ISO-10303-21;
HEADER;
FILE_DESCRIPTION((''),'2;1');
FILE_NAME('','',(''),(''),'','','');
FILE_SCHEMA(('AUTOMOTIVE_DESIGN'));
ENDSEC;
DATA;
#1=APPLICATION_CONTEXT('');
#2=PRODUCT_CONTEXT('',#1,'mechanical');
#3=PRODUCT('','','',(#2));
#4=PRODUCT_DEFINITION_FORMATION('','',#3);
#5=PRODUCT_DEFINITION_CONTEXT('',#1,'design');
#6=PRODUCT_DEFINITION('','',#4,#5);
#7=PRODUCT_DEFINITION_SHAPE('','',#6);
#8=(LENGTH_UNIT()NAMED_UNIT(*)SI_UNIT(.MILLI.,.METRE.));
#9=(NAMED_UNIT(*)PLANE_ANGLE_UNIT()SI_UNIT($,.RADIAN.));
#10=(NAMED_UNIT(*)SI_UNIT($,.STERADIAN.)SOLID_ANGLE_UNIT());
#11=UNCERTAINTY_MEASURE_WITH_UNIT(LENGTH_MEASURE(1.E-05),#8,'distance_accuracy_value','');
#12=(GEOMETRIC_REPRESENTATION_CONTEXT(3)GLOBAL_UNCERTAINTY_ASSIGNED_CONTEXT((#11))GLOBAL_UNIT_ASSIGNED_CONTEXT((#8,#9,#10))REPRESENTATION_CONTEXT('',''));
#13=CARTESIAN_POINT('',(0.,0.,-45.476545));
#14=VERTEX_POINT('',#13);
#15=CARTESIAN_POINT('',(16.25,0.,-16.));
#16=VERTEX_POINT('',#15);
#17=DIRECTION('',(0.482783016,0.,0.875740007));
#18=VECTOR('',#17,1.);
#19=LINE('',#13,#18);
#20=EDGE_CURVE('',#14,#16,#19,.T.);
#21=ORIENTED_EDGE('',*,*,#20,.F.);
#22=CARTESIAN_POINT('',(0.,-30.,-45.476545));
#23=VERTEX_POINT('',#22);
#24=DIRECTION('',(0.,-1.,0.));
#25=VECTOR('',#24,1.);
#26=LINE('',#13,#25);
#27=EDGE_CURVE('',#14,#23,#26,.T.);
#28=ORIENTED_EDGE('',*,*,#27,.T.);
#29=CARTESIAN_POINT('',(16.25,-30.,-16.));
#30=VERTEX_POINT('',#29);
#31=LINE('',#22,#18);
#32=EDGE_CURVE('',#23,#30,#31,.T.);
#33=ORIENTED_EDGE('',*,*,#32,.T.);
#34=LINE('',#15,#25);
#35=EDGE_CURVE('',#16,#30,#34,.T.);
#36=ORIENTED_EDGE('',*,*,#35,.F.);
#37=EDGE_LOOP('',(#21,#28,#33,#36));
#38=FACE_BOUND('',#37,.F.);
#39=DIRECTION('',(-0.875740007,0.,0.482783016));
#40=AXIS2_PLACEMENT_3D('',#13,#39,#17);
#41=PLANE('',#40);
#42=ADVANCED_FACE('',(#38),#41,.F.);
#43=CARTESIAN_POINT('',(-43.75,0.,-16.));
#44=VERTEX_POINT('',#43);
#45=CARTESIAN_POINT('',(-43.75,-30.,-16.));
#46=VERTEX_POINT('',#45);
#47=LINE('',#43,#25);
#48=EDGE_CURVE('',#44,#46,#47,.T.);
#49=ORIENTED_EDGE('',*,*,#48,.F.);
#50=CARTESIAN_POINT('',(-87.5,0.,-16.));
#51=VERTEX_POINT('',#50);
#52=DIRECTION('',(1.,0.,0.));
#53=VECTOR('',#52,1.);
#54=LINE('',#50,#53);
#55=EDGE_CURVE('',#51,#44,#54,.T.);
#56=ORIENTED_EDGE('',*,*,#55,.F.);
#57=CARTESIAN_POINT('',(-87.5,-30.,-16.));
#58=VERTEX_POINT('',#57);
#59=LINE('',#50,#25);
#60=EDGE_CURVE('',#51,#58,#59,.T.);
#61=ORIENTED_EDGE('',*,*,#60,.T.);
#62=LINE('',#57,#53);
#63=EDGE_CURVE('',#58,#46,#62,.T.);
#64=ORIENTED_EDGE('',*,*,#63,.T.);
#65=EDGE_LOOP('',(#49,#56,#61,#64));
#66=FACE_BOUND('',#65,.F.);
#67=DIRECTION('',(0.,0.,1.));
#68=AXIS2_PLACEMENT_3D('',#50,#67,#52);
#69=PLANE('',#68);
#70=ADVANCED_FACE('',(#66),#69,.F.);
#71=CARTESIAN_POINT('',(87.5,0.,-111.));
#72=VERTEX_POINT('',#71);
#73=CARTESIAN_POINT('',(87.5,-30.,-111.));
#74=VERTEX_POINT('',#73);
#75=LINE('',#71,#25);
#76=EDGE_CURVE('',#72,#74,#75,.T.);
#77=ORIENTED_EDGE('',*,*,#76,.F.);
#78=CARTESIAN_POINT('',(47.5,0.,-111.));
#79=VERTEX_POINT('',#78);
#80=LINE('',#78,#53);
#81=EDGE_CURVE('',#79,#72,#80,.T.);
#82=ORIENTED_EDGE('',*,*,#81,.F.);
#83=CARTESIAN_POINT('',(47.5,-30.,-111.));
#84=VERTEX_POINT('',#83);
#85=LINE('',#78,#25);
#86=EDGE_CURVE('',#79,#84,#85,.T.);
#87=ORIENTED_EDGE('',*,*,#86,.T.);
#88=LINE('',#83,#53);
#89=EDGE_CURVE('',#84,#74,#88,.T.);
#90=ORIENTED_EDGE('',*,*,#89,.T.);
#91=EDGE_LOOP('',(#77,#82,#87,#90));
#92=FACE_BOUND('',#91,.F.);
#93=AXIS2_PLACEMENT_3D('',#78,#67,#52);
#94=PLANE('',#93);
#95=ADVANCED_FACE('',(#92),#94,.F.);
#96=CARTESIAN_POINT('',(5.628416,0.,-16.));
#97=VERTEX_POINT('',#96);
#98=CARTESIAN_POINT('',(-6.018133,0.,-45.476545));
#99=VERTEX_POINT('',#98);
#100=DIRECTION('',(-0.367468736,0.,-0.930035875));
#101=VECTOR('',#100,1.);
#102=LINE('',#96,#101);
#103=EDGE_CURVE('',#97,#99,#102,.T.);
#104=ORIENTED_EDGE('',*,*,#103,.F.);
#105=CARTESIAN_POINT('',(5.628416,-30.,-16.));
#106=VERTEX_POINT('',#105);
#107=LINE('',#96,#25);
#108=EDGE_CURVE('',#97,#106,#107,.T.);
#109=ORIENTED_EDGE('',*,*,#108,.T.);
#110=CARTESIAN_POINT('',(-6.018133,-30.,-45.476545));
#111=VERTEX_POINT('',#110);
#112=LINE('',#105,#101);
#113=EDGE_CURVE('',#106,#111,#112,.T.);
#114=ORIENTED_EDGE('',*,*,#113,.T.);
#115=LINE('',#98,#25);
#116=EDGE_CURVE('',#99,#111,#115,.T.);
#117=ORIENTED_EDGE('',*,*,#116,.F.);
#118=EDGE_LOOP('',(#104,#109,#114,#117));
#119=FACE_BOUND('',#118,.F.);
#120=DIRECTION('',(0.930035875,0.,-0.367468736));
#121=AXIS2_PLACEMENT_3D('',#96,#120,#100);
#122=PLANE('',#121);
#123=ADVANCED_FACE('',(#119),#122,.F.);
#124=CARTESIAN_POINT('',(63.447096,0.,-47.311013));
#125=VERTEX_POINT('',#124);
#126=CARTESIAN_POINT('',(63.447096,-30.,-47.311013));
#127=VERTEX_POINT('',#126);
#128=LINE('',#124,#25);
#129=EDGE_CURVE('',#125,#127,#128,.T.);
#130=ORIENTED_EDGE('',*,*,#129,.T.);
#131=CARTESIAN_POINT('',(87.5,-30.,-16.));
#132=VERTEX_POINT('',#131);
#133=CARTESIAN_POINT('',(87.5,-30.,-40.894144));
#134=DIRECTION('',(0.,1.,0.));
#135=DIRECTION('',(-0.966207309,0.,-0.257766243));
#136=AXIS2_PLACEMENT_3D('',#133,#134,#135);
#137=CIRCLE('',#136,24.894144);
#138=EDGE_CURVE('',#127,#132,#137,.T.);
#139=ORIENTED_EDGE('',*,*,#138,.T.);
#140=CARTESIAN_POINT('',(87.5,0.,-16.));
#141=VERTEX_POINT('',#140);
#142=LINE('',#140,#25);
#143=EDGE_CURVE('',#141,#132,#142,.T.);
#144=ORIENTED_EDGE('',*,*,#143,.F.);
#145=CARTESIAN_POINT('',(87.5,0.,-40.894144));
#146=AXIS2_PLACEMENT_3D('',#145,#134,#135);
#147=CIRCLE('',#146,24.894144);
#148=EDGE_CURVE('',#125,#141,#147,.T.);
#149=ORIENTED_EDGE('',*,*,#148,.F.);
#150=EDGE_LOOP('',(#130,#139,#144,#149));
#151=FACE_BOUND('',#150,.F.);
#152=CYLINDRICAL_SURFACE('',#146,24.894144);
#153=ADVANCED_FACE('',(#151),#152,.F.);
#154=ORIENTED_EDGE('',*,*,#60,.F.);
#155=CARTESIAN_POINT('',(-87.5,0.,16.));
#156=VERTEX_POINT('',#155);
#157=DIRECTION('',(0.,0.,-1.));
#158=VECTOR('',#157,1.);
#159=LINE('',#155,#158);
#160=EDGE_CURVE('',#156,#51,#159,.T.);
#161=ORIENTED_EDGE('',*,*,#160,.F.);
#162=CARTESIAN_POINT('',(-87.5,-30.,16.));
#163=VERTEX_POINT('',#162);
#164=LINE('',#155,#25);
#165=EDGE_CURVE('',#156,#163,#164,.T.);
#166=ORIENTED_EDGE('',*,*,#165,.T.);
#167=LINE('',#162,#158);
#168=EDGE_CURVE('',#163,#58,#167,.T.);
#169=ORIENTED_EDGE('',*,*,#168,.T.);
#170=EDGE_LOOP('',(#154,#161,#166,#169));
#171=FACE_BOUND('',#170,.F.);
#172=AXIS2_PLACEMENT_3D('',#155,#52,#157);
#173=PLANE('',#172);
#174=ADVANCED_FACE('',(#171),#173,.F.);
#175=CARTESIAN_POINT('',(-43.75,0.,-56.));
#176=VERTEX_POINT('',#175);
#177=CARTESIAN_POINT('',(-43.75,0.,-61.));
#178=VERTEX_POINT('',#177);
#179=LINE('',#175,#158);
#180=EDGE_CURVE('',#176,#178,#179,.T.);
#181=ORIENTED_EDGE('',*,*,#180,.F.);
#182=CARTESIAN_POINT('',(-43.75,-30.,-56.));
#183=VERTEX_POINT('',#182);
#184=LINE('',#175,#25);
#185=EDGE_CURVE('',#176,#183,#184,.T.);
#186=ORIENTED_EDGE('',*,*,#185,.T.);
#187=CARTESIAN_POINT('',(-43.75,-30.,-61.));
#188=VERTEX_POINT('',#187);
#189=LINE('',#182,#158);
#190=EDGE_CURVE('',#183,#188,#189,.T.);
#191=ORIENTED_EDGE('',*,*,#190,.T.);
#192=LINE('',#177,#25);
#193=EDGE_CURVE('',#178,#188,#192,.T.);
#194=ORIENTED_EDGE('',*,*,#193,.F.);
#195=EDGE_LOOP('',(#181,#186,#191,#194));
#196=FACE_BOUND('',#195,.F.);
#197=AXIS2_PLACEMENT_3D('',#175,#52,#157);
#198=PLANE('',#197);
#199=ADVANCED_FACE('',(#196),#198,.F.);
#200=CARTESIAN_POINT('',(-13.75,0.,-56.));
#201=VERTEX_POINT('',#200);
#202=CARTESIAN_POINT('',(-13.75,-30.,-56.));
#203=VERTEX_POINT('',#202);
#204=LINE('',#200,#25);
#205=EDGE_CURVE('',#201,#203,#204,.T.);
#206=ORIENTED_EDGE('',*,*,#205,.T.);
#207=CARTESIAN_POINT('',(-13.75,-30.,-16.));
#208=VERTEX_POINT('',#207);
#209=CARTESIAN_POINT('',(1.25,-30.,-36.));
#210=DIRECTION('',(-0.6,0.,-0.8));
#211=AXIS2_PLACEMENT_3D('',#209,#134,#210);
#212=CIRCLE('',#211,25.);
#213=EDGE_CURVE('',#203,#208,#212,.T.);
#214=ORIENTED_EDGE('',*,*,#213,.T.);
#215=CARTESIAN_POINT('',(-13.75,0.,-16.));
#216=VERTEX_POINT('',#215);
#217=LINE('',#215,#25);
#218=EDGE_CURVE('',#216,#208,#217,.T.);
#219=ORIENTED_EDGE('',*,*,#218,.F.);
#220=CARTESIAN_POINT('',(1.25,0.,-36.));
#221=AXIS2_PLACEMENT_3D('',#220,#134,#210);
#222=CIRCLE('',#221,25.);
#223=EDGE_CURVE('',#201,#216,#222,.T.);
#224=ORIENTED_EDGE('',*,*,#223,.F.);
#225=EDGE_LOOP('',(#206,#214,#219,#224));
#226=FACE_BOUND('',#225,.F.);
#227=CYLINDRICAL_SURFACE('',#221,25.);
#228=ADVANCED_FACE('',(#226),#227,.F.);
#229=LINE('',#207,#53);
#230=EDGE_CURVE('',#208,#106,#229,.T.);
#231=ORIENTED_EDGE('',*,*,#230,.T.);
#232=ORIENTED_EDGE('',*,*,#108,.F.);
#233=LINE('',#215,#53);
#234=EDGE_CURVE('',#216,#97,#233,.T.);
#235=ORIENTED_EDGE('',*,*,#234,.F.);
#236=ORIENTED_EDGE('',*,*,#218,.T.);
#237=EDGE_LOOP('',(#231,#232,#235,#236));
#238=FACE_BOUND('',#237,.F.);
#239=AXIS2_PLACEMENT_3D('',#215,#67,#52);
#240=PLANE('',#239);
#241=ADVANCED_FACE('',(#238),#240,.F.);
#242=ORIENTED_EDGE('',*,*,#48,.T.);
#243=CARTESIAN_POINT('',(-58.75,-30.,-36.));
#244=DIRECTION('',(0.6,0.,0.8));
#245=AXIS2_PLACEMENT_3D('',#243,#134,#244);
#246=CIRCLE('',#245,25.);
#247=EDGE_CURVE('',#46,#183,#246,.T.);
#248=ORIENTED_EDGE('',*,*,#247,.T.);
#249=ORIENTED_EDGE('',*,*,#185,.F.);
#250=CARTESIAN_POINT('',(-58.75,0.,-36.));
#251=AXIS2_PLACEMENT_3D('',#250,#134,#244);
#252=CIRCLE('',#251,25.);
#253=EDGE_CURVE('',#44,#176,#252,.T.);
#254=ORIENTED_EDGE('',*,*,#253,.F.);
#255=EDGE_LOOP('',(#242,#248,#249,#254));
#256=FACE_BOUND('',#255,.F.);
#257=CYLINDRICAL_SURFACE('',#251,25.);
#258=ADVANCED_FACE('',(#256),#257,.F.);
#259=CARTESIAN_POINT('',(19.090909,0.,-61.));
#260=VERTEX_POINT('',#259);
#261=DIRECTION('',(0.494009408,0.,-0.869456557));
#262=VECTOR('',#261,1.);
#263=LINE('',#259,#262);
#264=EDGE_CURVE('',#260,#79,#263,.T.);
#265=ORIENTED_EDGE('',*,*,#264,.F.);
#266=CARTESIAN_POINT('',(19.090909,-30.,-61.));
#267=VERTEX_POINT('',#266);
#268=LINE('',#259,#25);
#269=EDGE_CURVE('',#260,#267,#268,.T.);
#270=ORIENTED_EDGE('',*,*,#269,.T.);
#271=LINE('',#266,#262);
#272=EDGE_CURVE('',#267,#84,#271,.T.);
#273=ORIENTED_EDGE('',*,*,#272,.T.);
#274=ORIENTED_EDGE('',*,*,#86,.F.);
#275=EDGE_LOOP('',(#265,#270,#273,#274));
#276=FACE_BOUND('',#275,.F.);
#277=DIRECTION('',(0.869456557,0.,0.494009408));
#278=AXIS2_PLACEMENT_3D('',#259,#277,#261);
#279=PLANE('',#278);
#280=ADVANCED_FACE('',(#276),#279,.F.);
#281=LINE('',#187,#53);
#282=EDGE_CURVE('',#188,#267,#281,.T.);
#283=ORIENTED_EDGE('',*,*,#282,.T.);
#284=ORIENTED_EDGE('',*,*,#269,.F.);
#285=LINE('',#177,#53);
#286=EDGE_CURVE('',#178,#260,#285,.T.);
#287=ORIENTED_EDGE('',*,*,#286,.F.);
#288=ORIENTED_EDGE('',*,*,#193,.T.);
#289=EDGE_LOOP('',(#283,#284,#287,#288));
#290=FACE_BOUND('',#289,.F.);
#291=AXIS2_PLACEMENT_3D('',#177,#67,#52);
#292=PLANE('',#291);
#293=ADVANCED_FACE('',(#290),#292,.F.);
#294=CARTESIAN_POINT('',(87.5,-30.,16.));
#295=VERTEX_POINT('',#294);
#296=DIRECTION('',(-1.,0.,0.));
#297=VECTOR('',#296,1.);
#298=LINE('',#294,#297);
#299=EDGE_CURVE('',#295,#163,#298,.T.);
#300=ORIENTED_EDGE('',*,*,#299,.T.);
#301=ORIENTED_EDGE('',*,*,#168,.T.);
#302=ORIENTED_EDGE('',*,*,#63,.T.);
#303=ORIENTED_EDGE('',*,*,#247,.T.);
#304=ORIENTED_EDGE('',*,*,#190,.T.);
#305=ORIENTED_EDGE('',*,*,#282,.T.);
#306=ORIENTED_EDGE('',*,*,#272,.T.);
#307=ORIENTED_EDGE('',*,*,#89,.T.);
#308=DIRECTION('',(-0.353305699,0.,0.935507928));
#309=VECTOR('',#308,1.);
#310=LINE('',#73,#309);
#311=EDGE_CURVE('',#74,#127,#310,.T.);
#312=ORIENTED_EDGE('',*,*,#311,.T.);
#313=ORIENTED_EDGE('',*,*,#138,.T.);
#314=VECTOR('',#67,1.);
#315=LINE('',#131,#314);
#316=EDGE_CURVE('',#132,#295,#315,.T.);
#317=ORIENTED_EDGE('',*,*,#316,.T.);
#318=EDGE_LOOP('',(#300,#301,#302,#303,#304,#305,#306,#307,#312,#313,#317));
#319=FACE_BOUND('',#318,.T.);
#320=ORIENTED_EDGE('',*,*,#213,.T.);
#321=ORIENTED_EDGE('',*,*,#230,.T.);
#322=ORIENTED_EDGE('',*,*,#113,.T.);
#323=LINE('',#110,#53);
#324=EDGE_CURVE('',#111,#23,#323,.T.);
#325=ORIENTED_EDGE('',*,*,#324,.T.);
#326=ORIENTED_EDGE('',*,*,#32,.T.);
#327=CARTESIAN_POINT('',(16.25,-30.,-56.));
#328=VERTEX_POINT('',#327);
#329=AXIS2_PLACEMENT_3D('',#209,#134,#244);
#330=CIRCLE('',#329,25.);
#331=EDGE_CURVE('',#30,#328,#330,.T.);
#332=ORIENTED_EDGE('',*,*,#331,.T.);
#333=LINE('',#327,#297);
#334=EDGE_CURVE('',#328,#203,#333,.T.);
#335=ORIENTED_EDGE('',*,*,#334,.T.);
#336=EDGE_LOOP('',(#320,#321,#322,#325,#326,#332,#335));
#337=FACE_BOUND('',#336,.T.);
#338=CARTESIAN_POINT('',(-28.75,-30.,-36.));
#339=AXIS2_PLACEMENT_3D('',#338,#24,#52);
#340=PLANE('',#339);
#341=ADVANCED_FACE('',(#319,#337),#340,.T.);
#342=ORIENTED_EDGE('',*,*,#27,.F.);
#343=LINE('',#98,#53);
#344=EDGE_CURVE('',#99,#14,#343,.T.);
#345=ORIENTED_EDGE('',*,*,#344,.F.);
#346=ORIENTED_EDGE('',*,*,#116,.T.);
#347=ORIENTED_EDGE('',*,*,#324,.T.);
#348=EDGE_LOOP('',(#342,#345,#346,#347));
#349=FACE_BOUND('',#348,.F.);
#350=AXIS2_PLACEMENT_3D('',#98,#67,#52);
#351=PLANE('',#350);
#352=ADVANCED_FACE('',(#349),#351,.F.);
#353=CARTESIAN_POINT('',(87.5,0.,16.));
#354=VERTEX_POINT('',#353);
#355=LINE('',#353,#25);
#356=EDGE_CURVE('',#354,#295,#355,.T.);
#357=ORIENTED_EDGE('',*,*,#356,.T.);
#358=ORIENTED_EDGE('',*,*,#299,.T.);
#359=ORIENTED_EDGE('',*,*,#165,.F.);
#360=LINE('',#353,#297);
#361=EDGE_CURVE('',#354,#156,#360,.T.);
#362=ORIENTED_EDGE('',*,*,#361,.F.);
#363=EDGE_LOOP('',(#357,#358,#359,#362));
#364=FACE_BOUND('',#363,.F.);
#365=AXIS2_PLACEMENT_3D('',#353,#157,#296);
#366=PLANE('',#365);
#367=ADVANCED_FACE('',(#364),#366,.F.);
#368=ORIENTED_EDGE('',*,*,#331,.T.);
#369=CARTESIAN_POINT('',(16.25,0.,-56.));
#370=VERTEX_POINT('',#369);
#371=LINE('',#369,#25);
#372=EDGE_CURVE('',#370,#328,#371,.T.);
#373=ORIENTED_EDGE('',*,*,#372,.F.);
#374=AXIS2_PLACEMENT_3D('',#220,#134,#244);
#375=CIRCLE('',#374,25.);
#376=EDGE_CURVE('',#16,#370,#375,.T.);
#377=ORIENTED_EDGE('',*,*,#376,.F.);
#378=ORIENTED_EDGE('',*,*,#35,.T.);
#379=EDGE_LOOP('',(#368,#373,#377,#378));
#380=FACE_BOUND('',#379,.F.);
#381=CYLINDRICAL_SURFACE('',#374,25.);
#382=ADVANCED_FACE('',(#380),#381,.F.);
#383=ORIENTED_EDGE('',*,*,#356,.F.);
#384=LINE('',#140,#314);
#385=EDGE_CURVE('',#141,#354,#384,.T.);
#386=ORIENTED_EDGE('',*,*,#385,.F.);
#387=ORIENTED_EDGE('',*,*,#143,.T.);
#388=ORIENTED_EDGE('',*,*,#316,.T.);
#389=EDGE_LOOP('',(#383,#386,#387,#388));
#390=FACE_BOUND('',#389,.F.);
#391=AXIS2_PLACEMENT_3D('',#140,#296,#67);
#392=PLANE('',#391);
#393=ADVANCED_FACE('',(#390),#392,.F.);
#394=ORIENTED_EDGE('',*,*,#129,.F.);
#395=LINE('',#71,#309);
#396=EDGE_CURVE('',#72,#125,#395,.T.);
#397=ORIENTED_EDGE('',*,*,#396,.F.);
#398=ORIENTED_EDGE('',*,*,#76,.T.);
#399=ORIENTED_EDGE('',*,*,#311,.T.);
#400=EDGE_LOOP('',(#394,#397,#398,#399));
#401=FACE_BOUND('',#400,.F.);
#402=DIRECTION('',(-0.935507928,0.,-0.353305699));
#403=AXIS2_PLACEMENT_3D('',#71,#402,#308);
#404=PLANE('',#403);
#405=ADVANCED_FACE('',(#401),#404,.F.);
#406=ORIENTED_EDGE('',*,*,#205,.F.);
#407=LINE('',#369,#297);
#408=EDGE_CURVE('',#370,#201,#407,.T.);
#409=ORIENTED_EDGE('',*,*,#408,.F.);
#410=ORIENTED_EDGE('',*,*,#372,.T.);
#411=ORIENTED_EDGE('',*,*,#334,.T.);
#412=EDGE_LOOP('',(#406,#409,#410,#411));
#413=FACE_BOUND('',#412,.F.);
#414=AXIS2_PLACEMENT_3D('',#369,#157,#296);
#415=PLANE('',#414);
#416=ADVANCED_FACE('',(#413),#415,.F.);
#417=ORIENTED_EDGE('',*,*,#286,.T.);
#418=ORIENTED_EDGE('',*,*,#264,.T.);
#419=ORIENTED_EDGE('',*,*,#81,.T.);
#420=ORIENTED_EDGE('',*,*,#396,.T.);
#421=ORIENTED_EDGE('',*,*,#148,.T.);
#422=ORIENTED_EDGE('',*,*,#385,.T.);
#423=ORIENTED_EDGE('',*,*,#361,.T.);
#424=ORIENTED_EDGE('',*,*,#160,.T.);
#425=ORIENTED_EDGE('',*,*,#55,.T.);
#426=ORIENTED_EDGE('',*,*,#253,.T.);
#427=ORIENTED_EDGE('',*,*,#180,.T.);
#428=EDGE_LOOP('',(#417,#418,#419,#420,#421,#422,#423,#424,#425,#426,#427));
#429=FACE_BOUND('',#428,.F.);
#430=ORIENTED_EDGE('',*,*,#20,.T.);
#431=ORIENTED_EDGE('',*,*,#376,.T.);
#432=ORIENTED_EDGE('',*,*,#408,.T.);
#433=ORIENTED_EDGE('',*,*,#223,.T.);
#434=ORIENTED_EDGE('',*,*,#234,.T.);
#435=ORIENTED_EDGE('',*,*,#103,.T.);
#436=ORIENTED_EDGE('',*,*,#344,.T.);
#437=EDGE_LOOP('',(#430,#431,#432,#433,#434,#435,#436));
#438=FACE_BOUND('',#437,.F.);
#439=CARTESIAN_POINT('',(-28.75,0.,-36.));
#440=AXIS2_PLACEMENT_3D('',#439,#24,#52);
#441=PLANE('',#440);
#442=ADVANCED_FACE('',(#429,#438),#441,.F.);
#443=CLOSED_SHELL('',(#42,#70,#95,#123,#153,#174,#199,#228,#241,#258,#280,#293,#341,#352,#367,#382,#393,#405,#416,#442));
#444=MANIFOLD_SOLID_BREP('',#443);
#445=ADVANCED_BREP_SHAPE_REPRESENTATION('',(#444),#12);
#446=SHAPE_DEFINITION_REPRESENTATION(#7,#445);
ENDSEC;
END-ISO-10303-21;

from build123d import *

# Parameters (mm, degrees)
F1_DEPTH = 30


with BuildPart() as f1:
    # F0 (on Front) → F1 (new body)
    with BuildSketch(Plane.XZ):
        with BuildLine():
            Line((-43.75, -56), (-13.75, -56))
            ThreePointArc((-13.75, -56), (-23.75, -36), (-13.75, -16))
            Line((-13.75, -16), (-43.75, -16))
            ThreePointArc((-43.75, -16), (-33.75, -36), (-43.75, -56))
        make_face()
        with BuildLine():
            ThreePointArc((63.4470964988, -47.311013487), (67.7584085468, -25.7287899082), (87.5, -16))
            Line((87.5, -16), (16.25, -16))
            ThreePointArc((16.25, -16), (26.25, -36), (16.25, -56))
            Line((16.25, -56), (19.0909090909, -56))
            Line((19.0909090909, -56), (19.0909090909, -61))
            Line((19.0909090909, -61), (47.5, -111))
            Line((47.5, -111), (87.5, -111))
            Line((87.5, -111), (63.4470964988, -47.311013487))
        make_face()
        Polygon((16.25, -16), (87.5, -16), (87.5, 16), (-87.5, 16), (-87.5, -16), (-43.75, -16), (-13.75, -16), (0, -16), (5.6284163147, -16), align=None)
        Polygon((0, -45.4765446484), (16.25, -16), (5.6284163147, -16), (-6.0181329027, -45.4765446484), align=None)
        Polygon((19.0909090909, -61), (16.25, -56), (-13.75, -56), (-43.75, -56), (-43.75, -61), align=None)
        Polygon((19.0909090909, -56), (16.25, -56), (19.0909090909, -61), align=None)
    extrude(amount=F1_DEPTH)


solid = f1.part
